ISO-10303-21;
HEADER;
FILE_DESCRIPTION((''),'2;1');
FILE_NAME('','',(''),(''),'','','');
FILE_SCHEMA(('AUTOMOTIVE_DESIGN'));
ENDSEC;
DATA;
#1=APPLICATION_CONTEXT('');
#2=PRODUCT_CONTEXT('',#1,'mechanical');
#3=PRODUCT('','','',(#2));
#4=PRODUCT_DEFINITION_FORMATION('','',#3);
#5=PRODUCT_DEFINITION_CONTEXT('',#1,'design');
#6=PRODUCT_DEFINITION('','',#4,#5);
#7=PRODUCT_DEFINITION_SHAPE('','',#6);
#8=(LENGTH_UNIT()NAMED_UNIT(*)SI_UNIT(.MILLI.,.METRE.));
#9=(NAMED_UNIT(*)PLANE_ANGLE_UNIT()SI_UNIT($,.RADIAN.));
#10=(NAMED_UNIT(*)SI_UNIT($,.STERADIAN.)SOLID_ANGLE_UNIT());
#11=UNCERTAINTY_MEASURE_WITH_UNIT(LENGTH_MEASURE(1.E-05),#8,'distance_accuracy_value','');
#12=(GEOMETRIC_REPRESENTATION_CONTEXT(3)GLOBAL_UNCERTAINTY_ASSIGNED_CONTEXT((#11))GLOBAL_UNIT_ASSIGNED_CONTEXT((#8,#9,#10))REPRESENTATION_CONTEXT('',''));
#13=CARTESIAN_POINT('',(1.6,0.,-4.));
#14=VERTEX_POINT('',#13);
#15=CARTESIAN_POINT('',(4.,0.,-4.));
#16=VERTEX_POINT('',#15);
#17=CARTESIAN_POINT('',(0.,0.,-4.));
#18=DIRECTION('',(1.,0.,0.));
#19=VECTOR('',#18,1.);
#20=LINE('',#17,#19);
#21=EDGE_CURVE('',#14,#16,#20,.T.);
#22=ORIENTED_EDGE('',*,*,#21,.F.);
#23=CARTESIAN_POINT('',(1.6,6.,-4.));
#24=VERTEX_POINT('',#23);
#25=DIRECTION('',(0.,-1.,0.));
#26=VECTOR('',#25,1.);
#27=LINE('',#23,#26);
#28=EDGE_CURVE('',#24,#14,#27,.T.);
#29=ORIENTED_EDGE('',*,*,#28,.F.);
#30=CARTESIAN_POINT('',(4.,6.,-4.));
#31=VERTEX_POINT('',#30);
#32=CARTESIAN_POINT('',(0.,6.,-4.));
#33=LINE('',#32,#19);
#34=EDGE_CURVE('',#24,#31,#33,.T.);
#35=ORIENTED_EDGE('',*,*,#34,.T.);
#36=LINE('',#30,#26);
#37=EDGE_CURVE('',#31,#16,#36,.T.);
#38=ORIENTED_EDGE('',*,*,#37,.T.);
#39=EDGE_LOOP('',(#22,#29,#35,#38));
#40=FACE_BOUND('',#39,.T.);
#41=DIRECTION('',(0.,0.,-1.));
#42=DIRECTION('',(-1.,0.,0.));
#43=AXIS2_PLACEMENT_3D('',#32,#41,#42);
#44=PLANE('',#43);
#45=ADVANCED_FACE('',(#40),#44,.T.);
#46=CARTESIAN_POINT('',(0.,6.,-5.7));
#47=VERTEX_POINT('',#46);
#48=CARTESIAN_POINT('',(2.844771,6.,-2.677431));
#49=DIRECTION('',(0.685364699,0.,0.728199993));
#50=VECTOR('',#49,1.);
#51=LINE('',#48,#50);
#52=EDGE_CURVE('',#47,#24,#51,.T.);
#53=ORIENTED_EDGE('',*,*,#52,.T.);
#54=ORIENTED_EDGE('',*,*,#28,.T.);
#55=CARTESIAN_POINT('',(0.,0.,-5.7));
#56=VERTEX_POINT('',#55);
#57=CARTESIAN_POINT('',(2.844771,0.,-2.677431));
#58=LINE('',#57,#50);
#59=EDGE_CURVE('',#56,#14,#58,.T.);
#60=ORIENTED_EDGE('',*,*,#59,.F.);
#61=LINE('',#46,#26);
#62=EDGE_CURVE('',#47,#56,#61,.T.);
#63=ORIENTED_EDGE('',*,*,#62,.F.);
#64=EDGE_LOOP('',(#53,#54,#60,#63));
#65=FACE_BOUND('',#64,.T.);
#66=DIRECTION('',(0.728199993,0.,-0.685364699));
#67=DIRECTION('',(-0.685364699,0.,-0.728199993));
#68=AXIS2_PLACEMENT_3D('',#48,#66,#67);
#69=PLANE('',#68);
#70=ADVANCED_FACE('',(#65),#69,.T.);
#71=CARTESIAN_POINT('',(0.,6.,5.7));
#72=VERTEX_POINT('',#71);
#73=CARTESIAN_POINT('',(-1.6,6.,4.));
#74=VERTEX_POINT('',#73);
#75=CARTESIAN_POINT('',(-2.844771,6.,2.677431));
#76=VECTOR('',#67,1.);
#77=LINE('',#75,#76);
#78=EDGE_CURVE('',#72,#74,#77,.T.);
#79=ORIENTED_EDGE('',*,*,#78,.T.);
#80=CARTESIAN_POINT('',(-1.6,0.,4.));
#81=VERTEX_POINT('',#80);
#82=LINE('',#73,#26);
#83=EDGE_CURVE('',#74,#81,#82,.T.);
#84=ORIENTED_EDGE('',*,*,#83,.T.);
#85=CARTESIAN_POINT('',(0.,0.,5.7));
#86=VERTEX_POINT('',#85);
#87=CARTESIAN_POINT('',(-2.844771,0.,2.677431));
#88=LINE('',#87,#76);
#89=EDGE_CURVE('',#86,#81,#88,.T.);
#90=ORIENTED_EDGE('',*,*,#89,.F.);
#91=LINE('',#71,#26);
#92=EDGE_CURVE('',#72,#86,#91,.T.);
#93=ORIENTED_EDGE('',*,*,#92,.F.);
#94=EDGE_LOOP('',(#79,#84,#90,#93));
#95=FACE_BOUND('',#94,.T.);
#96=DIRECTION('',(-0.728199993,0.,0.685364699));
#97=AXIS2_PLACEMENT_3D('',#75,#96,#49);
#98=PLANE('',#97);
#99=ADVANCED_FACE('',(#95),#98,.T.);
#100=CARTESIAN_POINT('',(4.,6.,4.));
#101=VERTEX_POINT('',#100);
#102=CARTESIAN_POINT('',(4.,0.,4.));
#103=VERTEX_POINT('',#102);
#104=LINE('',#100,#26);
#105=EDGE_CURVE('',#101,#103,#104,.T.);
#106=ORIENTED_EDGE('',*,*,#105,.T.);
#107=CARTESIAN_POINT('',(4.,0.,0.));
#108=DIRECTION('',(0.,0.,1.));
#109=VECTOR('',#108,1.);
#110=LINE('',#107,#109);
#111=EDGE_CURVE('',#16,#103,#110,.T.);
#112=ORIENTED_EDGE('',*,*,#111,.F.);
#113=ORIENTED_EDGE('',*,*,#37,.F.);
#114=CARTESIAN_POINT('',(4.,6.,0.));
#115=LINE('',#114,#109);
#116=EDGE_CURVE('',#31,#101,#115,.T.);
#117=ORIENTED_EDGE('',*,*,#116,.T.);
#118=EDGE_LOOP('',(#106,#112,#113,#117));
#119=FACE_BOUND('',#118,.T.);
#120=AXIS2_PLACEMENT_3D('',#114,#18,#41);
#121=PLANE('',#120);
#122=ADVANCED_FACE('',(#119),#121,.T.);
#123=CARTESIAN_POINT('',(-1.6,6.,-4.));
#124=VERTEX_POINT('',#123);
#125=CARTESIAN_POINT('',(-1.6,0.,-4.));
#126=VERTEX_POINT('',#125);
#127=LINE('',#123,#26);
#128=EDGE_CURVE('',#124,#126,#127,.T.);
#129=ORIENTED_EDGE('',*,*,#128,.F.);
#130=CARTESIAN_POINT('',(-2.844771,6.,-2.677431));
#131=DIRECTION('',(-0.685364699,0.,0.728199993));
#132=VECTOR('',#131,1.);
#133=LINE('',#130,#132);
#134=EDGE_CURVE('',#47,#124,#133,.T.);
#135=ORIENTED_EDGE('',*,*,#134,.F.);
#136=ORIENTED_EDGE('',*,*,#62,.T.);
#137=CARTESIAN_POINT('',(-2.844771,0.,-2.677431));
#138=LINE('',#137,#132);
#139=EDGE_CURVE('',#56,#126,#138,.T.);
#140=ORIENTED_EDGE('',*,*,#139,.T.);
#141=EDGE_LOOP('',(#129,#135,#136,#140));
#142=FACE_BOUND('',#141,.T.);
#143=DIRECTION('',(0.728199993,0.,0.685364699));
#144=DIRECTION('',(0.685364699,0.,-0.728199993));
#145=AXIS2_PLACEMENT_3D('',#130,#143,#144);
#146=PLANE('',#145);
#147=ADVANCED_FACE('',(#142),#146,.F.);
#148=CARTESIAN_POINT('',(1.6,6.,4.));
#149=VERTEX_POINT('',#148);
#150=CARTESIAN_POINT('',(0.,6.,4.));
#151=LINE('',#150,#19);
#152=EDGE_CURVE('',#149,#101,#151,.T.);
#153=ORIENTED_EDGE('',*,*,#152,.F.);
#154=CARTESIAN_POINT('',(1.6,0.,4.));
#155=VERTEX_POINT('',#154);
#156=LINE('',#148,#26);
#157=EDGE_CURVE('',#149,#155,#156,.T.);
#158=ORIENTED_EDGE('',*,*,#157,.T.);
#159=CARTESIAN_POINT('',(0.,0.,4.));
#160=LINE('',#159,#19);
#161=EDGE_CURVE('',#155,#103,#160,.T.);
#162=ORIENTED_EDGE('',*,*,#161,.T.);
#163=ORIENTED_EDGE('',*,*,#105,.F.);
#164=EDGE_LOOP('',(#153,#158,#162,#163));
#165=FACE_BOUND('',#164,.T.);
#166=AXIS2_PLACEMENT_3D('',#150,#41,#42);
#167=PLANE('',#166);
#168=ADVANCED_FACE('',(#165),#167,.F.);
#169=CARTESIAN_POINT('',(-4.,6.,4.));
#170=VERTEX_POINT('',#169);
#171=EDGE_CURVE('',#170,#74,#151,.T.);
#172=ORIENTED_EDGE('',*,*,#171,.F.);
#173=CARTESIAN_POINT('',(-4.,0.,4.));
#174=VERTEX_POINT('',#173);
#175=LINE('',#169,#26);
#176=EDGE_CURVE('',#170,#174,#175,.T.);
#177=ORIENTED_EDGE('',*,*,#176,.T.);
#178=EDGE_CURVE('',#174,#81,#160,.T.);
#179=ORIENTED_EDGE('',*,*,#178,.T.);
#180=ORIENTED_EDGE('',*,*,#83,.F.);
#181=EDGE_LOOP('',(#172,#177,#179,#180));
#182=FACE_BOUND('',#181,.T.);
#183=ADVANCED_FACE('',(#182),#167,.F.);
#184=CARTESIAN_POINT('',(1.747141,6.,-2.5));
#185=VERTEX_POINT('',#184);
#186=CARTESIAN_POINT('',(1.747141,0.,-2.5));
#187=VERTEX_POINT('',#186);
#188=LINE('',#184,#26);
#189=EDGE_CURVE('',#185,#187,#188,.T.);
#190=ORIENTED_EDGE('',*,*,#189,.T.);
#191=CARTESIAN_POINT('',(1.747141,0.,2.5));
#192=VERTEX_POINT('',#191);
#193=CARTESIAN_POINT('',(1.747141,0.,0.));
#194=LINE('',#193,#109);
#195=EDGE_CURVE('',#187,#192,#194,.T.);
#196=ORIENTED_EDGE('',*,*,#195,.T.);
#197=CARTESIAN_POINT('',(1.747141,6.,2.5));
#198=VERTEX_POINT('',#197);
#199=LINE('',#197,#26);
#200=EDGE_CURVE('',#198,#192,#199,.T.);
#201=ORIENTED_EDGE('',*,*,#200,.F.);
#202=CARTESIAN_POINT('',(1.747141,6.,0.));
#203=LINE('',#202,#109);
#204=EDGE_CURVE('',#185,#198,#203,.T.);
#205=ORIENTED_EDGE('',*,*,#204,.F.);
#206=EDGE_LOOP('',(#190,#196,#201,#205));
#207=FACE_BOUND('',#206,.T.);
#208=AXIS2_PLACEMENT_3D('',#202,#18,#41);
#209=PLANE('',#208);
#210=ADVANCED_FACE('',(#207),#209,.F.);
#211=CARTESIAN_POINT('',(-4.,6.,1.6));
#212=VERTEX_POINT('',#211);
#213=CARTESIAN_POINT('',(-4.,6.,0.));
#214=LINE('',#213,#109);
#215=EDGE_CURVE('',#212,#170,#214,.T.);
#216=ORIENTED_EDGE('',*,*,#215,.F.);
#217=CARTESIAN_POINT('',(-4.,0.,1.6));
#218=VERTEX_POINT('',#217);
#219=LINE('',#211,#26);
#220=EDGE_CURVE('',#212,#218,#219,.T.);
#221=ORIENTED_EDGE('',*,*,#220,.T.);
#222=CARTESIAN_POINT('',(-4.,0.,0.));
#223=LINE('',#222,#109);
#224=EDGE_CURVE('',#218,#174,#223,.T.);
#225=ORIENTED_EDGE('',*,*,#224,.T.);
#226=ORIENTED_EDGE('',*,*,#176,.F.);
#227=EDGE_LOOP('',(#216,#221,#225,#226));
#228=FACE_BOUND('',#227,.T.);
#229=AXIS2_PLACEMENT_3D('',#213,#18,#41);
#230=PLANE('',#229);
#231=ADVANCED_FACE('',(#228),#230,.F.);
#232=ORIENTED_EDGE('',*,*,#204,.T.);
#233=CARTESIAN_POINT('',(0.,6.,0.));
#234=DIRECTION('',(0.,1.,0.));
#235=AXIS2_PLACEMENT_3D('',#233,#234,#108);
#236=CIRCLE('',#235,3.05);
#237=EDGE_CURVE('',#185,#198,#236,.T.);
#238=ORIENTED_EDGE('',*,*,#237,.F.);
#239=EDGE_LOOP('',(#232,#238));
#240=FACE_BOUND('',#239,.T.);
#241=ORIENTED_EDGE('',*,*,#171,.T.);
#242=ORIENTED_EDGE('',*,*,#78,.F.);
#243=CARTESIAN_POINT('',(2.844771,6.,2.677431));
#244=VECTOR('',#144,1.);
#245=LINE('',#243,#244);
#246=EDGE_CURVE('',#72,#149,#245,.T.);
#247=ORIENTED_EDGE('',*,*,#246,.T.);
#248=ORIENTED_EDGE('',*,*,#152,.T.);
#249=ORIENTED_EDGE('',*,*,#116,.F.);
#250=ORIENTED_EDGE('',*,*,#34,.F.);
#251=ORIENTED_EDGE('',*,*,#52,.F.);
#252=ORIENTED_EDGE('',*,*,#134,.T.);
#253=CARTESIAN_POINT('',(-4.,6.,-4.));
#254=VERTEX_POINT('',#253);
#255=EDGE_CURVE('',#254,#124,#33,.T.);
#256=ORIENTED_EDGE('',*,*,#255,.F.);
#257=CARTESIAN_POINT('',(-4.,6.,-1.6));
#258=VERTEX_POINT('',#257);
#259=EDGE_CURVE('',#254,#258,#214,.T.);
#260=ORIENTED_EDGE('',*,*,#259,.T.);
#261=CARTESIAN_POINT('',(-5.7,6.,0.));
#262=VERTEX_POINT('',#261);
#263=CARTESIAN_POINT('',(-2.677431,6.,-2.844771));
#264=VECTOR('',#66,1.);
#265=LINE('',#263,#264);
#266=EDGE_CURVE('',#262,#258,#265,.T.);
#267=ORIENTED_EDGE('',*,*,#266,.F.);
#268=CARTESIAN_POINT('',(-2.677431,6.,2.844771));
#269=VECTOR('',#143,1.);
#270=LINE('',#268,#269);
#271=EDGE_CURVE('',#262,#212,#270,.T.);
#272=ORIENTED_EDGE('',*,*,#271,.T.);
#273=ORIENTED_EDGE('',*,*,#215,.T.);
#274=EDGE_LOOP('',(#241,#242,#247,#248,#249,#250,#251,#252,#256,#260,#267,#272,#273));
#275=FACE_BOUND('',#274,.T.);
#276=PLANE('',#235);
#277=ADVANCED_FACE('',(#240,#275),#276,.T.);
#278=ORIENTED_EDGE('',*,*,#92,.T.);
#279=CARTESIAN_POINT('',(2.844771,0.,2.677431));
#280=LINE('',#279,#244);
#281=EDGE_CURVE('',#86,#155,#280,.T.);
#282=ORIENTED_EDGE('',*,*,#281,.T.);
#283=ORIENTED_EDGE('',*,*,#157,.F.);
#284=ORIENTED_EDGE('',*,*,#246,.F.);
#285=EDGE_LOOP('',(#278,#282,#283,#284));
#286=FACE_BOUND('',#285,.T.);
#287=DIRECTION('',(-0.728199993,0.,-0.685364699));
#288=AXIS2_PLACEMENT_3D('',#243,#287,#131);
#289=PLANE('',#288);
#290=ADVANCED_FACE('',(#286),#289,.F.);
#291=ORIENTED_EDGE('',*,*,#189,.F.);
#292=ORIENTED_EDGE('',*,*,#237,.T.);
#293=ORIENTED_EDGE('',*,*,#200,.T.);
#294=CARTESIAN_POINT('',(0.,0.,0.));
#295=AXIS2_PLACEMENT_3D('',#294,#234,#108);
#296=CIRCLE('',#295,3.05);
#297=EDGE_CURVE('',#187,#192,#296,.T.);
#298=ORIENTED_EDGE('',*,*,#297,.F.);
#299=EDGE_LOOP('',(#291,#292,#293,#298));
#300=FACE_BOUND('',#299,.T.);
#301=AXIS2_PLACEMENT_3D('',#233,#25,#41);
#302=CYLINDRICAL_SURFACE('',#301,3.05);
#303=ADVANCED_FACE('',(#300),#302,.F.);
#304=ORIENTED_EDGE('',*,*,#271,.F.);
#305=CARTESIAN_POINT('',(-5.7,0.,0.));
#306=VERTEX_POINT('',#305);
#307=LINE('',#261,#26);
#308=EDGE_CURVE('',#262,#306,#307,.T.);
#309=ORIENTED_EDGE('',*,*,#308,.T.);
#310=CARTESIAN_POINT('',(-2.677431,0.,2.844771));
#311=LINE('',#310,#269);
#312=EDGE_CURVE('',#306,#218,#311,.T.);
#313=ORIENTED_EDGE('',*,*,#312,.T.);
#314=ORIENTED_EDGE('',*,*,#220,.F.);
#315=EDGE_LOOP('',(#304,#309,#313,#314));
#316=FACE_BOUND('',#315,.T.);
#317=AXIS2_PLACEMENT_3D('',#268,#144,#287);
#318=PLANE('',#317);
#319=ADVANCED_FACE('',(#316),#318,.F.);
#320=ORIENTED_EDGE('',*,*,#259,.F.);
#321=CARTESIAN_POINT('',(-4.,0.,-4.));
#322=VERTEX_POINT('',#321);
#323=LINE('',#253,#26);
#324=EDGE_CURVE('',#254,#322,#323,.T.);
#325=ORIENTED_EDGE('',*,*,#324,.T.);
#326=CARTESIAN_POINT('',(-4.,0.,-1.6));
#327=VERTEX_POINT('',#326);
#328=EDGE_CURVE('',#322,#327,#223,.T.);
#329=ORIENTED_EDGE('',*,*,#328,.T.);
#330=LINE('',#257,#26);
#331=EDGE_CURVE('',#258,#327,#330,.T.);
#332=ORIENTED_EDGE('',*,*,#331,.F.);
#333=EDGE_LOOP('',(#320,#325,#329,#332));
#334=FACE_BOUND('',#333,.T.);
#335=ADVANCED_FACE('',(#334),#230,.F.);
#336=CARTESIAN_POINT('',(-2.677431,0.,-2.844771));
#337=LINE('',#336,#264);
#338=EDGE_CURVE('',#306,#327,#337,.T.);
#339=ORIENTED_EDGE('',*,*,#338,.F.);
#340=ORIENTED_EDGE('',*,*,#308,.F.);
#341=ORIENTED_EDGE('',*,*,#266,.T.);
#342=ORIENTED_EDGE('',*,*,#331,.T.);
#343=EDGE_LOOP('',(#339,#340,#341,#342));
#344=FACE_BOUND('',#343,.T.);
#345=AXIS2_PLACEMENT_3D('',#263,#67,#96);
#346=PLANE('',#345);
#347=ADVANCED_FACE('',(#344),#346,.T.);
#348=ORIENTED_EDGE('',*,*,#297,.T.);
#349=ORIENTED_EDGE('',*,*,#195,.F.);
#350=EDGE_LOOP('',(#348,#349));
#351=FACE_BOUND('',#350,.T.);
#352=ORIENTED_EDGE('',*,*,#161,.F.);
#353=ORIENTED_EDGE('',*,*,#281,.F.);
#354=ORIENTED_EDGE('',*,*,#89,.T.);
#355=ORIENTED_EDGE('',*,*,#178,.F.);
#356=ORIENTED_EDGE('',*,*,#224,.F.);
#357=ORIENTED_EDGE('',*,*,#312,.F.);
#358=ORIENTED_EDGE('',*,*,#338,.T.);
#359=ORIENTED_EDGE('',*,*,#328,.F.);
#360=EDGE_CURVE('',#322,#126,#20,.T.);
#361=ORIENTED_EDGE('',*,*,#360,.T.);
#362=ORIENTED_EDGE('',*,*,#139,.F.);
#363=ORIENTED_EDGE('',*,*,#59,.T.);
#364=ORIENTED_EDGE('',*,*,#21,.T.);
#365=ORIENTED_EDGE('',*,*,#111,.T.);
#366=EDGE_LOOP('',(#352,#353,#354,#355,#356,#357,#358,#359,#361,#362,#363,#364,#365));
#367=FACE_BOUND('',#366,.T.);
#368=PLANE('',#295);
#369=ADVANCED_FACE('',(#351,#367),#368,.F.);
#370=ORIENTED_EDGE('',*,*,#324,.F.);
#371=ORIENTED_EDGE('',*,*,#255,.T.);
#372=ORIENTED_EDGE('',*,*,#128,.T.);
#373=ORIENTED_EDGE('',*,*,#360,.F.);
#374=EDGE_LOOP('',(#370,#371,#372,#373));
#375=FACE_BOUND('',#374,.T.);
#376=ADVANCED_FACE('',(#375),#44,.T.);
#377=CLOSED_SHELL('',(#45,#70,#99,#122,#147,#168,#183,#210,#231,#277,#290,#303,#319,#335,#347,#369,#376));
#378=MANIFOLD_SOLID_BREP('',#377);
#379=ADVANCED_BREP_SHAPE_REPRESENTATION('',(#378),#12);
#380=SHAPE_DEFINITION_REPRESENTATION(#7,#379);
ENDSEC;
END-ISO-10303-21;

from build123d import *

# Parameters (mm, degrees)
ESQUISSE1_W        = 8
ESQUISSE1_H        = 8
ESQUISSE1_R        = 3.05
BOSS_EXTRU_1_DEPTH = 6


with BuildPart() as part:
    # Esquisse1 → Boss.-Extru.1 (new body)
    # profile 1 of 6: a face of its own
    with BuildSketch(Plane(origin=(0, 0, 0), x_dir=(1, 0, 0), z_dir=(0, 1, 0))):
        Rectangle(ESQUISSE1_W, ESQUISSE1_H)
        Circle(ESQUISSE1_R, mode=Mode.SUBTRACT)
    # profile 2 of 6: a face of its own
    with BuildSketch(Plane(origin=(0, 0, 0), x_dir=(1, 0, 0), z_dir=(0, 1, 0))):
        Polygon((1.6, -4), (-1.6, -4), (0, -5.7), align=None)
    # profile 3 of 6: a face of its own
    with BuildSketch(Plane(origin=(0, 0, 0), x_dir=(1, 0, 0), z_dir=(0, 1, 0))):
        Polygon((-1.6, 4), (-4, 4), (-4, 1.6), (-4, -1.6), (-4, -4), (-1.6, -4), (1.6, -4), (4, -4), (4, 4), (1.6, 4), align=None)
        with BuildLine():
            ThreePointArc((1.747140521, -2.5), (-3.05, 0), (1.747140521, 2.5))
            ThreePointArc((1.747140521, 2.5), (2.70474385, 1.409560465), (3.05, 0))
            ThreePointArc((3.05, 0), (2.70474385, -1.409560465), (1.747140521, -2.5))
        make_face(mode=Mode.SUBTRACT)
    # profile 4 of 6: a face of its own
    with BuildSketch(Plane(origin=(0, 0, 0), x_dir=(1, 0, 0), z_dir=(0, 1, 0))):
        with BuildLine():
            ThreePointArc((3.05, 0), (2.70474385, 1.409560465), (1.747140521, 2.5))
            Line((1.747140521, 2.5), (1.747140521, -2.5))
            ThreePointArc((1.747140521, -2.5), (2.70474385, -1.409560465), (3.05, 0))
        make_face()
    # profile 5 of 6: a face of its own
    with BuildSketch(Plane(origin=(0, 0, 0), x_dir=(1, 0, 0), z_dir=(0, 1, 0))):
        Polygon((-4, -1.6), (-4, 1.6), (-5.7, 0), align=None)
    # profile 6 of 6: a face of its own
    with BuildSketch(Plane(origin=(0, 0, 0), x_dir=(1, 0, 0), z_dir=(0, 1, 0))):
        Polygon((0, 5.7), (-1.6, 4), (1.6, 4), align=None)
    extrude(amount=BOSS_EXTRU_1_DEPTH)


solid = part.part
